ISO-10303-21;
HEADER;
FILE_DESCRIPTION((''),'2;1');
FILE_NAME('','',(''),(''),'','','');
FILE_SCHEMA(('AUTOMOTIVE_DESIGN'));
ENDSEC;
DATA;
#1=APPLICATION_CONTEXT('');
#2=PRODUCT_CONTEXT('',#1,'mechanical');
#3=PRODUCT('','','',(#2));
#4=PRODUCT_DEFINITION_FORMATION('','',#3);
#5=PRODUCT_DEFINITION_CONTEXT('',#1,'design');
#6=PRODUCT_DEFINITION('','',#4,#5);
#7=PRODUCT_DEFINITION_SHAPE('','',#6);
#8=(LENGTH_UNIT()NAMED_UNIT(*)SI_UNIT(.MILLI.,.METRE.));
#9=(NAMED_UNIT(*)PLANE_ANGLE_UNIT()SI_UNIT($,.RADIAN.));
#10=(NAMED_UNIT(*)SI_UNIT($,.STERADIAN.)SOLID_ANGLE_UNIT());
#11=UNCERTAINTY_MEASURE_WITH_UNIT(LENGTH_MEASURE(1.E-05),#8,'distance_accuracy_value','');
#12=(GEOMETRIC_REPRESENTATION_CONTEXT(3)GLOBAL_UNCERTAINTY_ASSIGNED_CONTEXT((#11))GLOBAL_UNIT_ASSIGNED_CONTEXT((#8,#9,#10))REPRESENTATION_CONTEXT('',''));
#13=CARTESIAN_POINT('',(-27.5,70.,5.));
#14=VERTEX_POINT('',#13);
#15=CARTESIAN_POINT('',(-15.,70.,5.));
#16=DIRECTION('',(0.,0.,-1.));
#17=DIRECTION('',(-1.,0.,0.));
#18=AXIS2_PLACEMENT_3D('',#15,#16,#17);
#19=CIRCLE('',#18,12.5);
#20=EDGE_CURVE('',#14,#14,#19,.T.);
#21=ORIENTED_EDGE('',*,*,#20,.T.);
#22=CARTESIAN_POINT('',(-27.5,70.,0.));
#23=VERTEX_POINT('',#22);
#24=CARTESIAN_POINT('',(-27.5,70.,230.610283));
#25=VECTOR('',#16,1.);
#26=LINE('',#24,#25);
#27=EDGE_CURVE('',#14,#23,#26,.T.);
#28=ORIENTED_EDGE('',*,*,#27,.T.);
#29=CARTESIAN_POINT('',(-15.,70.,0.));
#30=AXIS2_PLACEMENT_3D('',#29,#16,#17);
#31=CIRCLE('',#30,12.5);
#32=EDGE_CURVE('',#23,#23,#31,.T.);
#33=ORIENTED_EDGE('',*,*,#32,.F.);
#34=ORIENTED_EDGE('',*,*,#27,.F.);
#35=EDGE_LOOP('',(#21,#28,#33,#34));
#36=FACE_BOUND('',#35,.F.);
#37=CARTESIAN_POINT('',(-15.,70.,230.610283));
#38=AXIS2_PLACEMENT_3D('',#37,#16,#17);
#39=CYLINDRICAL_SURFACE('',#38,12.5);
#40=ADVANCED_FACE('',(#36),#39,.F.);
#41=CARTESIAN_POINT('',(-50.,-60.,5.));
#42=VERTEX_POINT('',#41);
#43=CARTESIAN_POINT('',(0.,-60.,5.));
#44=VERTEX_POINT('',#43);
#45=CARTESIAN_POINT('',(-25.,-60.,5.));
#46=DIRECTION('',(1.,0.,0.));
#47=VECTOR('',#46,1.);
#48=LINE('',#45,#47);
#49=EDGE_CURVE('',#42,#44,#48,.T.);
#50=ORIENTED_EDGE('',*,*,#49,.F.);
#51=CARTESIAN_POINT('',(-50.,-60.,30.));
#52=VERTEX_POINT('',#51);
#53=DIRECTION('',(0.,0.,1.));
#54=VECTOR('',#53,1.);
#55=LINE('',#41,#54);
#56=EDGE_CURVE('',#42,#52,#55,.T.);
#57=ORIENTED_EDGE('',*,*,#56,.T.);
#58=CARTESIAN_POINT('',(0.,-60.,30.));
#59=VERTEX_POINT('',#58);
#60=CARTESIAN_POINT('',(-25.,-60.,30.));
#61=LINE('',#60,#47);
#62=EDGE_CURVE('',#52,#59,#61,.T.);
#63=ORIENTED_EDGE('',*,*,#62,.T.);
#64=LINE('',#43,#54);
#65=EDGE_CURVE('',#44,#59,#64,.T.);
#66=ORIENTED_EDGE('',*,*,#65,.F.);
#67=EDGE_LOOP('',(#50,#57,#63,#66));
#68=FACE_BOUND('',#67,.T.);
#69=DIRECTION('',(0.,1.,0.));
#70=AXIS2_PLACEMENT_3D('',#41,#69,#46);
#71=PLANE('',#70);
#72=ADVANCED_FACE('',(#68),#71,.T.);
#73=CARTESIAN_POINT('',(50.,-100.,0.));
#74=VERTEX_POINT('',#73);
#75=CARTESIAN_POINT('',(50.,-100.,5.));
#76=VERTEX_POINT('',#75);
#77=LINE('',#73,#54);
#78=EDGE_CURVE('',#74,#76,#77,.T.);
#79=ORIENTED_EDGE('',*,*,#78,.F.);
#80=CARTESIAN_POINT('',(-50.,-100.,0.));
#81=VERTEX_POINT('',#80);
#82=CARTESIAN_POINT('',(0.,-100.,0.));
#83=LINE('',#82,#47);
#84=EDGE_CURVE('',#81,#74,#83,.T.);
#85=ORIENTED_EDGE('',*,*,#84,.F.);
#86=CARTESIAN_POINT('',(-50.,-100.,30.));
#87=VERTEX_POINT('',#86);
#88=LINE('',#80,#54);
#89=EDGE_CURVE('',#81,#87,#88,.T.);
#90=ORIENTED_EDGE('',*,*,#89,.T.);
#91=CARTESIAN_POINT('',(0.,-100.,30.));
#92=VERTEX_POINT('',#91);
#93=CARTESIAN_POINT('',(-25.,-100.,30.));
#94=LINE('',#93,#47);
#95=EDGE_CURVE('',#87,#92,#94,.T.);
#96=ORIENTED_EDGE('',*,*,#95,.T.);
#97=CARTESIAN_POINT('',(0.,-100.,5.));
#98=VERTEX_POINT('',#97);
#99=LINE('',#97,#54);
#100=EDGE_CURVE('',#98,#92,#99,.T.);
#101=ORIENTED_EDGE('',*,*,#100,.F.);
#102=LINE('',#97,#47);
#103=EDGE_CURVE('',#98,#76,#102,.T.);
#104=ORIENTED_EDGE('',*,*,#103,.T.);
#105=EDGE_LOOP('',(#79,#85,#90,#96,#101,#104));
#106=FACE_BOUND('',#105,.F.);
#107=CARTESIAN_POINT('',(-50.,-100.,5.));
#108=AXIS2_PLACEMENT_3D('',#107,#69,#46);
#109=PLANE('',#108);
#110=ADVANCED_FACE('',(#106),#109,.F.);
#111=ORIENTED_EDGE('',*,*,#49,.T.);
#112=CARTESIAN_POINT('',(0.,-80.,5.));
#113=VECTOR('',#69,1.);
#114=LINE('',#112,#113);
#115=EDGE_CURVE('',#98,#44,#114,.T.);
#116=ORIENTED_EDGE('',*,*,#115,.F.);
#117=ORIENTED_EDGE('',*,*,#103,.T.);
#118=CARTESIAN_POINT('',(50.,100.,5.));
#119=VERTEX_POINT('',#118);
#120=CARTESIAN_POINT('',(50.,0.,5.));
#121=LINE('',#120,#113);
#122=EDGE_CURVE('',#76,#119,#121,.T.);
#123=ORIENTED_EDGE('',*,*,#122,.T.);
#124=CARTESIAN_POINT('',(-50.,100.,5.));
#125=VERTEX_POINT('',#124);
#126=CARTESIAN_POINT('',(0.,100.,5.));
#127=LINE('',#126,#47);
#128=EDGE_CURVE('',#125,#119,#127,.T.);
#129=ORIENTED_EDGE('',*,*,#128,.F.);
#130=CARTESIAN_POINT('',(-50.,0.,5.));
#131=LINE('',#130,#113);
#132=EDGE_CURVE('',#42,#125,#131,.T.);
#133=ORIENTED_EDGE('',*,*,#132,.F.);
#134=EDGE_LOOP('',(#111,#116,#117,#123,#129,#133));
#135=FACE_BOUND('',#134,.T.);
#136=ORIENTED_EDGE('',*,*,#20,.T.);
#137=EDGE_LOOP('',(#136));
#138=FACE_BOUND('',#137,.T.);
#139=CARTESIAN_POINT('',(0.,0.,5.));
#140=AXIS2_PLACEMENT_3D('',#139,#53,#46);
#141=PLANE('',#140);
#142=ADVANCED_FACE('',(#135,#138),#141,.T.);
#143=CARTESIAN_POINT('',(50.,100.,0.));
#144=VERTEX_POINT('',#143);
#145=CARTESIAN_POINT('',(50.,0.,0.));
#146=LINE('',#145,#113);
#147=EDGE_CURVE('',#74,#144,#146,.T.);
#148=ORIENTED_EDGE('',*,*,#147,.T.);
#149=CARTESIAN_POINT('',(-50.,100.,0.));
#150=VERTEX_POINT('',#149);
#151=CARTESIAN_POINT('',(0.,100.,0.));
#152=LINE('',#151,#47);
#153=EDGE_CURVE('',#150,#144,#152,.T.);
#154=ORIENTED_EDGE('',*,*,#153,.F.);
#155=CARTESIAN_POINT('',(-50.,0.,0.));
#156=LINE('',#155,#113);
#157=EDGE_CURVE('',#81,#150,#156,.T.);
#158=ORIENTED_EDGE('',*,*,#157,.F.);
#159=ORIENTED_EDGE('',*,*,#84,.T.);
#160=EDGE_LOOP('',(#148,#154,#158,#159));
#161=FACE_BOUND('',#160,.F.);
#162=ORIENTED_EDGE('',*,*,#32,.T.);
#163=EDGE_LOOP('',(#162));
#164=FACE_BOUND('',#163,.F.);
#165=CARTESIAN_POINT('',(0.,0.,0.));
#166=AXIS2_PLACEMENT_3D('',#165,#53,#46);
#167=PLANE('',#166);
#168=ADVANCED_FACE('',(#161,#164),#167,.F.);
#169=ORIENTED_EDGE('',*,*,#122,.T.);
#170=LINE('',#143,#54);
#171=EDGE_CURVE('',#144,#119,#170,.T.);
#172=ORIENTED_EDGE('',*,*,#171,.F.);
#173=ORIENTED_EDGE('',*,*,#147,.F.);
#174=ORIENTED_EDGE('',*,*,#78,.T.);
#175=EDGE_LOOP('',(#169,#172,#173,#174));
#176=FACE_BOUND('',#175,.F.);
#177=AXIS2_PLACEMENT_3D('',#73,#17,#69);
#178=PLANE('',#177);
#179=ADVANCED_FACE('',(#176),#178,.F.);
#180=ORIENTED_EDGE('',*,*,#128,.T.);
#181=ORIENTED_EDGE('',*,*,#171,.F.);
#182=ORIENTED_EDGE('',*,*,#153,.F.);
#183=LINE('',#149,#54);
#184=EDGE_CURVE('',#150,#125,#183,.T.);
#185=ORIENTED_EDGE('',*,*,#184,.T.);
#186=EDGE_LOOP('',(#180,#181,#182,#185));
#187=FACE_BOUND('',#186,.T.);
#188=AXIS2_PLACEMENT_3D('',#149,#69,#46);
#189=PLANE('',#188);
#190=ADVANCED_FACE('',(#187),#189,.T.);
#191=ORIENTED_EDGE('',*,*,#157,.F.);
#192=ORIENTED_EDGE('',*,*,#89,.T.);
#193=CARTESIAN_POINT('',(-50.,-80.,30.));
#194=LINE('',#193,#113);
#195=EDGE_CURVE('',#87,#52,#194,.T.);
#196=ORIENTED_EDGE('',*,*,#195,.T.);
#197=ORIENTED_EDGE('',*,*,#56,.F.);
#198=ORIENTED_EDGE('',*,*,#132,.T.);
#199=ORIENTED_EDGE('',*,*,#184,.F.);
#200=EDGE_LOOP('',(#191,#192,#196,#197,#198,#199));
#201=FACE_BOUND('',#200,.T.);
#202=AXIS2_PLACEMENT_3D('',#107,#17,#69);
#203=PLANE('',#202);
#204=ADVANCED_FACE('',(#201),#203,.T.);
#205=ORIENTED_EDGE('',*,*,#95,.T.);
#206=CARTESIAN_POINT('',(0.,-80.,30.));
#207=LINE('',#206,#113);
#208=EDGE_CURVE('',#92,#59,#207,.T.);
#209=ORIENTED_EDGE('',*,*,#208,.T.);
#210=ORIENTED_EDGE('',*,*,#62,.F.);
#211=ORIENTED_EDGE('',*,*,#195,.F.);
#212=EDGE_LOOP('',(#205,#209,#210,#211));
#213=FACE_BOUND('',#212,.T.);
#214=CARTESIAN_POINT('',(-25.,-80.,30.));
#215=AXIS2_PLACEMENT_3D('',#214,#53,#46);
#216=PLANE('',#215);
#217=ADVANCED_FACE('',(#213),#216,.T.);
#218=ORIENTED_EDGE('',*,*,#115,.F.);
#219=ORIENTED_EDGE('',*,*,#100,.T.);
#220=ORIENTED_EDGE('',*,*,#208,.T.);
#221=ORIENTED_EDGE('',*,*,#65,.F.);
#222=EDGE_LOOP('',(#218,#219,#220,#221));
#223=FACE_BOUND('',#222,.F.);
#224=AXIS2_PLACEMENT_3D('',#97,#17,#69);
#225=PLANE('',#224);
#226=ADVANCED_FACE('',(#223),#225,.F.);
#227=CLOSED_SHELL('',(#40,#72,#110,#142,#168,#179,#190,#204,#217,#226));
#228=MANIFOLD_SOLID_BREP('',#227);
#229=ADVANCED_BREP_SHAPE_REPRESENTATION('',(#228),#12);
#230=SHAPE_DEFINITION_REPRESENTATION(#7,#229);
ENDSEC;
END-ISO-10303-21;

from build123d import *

# Parameters (mm, degrees)
F0_W     = 100
F0_H     = 200
F1_DEPTH = 5
F2_W     = 50
F2_H     = 40
F3_DEPTH = 25
F5_D     = 25


with BuildPart() as f1:
    # F0 (on Top) → F1 (new body)
    with BuildSketch(Plane.XY):
        Rectangle(F0_W, F0_H)
    extrude(amount=F1_DEPTH)

    # F2 (on face) → F3 (join)
    with BuildSketch(Plane.XY.offset(5)):
        with Locations((-25, -80)):
            Rectangle(F2_W, F2_H)
    extrude(amount=F3_DEPTH)

    # F5 (through all)
    with Locations(Plane.XY.offset(5)):
        with Locations((-15, 70)):
            Hole(F5_D / 2)


solid = f1.part
